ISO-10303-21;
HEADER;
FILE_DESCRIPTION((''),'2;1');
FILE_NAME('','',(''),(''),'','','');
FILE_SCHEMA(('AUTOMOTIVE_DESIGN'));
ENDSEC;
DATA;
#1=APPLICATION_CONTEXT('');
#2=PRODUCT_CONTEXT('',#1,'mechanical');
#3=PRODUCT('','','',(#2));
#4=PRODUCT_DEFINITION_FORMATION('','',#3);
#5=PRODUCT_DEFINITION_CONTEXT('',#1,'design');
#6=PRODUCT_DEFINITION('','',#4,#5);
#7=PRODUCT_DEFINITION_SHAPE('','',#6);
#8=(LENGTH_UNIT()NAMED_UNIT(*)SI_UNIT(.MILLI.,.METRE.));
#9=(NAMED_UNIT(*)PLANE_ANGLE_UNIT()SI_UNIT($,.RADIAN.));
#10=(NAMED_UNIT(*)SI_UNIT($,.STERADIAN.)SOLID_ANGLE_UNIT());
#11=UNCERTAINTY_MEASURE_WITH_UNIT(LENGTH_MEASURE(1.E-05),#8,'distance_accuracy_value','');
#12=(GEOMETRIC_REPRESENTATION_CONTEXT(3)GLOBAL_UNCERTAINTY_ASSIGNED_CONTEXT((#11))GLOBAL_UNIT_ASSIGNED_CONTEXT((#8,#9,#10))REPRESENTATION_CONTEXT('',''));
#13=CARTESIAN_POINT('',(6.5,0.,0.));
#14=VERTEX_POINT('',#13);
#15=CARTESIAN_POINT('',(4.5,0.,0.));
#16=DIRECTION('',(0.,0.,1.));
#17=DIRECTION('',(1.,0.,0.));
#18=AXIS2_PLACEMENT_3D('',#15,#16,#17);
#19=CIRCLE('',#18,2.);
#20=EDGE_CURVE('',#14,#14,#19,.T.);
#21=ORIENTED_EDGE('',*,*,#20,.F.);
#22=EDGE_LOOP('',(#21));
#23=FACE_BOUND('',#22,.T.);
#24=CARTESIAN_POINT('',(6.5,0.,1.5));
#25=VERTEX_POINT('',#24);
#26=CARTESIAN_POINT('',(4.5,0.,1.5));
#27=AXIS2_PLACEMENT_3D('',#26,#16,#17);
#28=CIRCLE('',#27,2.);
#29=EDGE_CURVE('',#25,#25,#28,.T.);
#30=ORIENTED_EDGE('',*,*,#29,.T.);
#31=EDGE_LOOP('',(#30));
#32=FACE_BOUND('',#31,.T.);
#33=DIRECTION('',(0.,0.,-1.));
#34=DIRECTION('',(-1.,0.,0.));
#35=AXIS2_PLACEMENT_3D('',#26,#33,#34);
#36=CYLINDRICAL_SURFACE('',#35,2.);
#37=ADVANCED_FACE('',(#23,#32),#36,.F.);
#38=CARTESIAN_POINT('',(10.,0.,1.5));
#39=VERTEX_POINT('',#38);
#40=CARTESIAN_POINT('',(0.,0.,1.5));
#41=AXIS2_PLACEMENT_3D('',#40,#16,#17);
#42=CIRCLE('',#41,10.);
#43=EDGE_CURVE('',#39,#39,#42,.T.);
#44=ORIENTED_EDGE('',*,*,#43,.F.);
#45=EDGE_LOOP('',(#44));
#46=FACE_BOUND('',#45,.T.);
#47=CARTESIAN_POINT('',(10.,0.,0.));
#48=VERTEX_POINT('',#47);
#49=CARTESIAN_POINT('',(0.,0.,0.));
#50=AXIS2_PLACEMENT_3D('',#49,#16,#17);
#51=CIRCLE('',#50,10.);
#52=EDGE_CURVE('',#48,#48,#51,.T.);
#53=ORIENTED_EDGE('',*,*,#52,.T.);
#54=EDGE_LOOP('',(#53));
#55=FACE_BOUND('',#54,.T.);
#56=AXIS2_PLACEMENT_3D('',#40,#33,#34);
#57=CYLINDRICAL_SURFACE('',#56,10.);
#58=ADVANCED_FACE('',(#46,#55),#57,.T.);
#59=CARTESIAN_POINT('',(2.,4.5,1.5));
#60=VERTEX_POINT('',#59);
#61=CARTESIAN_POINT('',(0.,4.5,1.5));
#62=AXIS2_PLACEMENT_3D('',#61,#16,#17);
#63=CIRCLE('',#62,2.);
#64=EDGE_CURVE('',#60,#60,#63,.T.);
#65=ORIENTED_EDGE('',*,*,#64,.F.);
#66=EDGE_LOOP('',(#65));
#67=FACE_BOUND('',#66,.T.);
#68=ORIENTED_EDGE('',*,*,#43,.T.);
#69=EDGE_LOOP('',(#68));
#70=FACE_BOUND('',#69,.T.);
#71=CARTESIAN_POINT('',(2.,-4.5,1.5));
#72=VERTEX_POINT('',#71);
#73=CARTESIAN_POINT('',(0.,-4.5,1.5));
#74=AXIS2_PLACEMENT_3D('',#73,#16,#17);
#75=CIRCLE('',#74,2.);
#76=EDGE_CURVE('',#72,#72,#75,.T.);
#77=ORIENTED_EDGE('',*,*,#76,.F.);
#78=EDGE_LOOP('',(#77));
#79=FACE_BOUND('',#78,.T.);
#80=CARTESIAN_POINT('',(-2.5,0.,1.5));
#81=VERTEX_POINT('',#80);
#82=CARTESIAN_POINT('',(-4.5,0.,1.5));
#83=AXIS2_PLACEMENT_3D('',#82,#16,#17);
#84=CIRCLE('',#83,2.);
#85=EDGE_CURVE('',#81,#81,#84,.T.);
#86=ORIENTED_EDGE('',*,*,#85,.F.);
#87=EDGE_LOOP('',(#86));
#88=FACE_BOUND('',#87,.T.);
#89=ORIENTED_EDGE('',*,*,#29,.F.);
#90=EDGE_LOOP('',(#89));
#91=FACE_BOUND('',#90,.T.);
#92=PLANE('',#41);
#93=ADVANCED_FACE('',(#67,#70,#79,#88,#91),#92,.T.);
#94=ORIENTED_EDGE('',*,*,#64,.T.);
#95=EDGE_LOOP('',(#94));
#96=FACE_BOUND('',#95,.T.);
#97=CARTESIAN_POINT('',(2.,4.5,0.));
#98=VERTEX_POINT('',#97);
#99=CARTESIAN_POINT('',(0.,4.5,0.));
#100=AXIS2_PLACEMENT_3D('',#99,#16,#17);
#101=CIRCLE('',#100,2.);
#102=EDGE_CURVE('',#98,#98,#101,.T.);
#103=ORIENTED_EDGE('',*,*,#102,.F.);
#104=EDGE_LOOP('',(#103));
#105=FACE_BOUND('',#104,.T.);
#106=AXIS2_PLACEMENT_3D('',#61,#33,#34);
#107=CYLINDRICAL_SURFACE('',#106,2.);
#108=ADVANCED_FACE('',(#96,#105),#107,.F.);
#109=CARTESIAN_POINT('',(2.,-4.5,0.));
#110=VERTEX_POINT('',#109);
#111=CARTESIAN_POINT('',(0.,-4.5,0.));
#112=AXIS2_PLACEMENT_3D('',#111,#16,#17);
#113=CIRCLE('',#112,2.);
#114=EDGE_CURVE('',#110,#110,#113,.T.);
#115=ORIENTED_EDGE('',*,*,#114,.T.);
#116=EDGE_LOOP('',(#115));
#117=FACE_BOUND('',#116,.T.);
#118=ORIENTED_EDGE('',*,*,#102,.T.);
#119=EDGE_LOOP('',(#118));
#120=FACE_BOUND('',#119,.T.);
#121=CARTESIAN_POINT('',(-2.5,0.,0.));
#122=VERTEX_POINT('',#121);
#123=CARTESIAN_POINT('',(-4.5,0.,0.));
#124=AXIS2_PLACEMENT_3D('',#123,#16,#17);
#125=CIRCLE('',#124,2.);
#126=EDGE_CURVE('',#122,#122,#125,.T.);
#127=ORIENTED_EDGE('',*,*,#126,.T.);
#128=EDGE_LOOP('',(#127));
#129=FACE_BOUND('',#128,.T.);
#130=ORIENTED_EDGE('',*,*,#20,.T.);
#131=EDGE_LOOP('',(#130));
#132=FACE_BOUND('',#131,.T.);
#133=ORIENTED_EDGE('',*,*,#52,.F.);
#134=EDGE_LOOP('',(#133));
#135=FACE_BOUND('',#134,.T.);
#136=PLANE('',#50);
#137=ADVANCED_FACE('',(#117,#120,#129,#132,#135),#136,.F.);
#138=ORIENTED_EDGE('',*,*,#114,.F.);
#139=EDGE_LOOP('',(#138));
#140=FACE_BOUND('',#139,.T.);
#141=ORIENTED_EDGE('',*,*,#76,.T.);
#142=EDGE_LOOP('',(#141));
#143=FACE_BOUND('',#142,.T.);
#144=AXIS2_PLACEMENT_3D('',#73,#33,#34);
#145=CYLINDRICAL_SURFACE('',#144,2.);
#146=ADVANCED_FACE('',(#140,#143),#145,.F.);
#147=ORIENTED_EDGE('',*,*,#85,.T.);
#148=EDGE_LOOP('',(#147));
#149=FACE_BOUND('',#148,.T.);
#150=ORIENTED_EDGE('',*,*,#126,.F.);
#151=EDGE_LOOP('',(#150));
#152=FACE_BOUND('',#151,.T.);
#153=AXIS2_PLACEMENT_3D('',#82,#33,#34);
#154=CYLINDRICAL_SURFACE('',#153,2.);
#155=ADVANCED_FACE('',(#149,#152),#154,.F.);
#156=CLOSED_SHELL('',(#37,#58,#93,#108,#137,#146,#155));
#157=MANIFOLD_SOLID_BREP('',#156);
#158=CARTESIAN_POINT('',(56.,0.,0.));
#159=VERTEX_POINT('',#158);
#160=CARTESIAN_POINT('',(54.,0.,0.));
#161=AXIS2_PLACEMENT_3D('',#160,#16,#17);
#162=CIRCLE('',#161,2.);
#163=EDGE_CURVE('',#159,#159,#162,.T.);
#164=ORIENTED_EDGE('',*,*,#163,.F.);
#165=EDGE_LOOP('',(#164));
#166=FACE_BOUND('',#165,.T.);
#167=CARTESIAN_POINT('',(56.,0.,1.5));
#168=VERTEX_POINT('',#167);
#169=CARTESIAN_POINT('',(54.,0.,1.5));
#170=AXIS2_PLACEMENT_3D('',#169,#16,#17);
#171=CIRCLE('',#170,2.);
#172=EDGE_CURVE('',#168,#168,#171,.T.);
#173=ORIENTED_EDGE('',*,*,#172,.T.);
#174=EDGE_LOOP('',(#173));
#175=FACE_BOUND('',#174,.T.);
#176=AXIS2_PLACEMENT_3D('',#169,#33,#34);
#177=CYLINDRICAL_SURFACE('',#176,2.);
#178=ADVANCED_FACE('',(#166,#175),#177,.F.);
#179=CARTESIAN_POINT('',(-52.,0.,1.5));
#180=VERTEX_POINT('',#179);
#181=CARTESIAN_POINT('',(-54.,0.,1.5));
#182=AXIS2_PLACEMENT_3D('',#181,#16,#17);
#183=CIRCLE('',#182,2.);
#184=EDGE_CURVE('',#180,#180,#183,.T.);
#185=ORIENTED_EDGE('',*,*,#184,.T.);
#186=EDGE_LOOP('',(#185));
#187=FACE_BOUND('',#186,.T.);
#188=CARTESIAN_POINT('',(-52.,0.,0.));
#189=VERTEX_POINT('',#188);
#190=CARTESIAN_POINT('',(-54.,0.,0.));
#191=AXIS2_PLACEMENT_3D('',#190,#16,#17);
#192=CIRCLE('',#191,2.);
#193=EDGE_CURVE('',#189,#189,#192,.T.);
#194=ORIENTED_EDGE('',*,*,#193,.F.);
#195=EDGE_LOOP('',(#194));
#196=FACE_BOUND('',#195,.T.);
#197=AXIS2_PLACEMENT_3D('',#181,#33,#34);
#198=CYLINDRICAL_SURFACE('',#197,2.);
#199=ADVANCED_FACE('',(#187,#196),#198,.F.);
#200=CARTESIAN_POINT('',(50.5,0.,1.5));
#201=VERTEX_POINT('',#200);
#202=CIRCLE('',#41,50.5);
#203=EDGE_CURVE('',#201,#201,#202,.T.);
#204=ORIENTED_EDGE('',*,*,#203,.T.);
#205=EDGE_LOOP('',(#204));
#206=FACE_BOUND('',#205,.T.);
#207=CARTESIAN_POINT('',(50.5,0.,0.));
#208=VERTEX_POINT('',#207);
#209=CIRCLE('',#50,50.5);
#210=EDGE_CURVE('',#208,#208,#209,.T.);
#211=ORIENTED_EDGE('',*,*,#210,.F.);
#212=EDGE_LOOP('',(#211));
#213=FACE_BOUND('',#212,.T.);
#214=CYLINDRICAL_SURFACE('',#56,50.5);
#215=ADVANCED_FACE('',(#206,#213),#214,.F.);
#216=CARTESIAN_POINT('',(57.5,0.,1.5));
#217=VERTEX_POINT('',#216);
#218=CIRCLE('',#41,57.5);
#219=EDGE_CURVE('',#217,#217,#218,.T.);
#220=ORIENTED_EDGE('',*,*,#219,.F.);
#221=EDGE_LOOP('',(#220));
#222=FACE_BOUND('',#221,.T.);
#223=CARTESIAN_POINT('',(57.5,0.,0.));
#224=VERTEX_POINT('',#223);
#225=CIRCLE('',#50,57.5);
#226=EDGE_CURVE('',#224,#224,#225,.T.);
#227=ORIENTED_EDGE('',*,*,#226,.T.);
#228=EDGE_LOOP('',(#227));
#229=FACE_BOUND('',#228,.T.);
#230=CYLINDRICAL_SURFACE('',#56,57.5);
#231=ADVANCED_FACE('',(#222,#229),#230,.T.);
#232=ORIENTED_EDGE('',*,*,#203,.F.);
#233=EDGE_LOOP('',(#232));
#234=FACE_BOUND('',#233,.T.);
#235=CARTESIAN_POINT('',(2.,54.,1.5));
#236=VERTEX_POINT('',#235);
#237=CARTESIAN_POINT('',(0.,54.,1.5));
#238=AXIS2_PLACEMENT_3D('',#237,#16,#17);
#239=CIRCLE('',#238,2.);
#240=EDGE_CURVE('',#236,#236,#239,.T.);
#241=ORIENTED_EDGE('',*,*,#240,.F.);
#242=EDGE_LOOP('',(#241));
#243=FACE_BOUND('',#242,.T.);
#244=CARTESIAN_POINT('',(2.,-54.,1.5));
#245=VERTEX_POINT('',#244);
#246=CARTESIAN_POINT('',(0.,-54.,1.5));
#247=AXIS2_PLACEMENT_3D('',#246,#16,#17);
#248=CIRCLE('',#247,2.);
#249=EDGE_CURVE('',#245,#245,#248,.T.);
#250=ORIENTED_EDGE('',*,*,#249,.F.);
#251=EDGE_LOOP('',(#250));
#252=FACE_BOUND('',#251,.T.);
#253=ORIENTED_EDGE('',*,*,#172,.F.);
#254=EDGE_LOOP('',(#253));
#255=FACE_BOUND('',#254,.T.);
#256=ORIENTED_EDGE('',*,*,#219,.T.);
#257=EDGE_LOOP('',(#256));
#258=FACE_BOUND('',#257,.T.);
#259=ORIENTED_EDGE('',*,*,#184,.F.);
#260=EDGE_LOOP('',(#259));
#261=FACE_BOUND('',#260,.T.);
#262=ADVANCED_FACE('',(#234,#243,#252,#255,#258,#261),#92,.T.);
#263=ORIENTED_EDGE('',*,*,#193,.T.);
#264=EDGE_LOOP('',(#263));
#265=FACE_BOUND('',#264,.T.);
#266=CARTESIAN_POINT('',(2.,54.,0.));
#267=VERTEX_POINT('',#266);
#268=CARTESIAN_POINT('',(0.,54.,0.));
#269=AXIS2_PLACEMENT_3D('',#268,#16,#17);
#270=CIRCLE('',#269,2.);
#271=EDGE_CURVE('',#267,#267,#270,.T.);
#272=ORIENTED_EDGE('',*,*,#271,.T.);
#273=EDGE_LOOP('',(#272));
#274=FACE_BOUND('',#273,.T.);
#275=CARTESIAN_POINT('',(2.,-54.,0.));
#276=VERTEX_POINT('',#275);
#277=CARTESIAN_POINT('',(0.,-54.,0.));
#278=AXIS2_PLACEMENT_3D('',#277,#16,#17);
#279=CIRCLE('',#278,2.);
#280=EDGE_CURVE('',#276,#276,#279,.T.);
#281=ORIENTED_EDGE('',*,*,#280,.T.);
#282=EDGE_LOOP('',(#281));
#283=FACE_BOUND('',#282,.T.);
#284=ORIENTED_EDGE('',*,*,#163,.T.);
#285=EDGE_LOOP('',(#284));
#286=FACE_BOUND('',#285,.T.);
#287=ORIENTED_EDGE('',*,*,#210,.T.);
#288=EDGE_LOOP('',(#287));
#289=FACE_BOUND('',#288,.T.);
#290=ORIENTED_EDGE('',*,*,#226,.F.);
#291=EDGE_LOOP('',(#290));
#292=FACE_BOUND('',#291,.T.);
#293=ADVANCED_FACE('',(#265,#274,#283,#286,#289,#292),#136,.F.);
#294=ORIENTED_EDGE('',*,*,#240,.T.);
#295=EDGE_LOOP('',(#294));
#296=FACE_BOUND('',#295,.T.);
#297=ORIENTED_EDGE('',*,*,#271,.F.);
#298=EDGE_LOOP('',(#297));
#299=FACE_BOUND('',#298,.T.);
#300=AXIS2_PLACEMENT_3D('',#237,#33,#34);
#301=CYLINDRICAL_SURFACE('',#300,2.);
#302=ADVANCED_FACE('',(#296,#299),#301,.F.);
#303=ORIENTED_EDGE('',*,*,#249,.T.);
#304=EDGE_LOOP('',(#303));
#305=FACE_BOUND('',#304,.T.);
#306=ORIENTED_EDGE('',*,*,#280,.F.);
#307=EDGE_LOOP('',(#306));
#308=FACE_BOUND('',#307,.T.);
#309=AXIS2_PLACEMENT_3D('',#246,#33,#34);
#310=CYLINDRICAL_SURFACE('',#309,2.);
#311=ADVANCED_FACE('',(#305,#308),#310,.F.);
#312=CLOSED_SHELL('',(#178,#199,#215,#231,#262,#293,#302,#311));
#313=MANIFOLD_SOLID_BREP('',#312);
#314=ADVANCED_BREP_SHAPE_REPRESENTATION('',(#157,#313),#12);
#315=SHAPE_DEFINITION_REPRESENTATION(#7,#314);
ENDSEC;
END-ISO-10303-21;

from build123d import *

# Parameters (mm, degrees)
CROQUIS1_R                = 57.5
CROQUIS1_R_2              = 2
CROQUIS1_R_3              = 50.5
SALIENTE_EXTRUIR1_DEPTH   = 1.5
CROQUIS1_R_4              = 10
SALIENTE_EXTRUIR1_2_DEPTH = 1.5


with BuildPart() as part:
    # Croquis1 → Saliente-Extruir1 (new body)
    with BuildSketch(Plane.XY):
        Circle(CROQUIS1_R)
        with Locations((-54, 0)):
            Circle(CROQUIS1_R_2, mode=Mode.SUBTRACT)
        with Locations((0, -54)):
            Circle(CROQUIS1_R_2, mode=Mode.SUBTRACT)
        with Locations((54, 0)):
            Circle(CROQUIS1_R_2, mode=Mode.SUBTRACT)
        Circle(CROQUIS1_R_3, mode=Mode.SUBTRACT)
        with Locations((0, 54)):
            Circle(CROQUIS1_R_2, mode=Mode.SUBTRACT)
    extrude(amount=SALIENTE_EXTRUIR1_DEPTH)


with BuildPart() as body_2:
    # Croquis1 → Saliente-Extruir1 2 (new body)
    with BuildSketch(Plane.XY):
        Circle(CROQUIS1_R_4)
        with Locations((-4.5, 0)):
            Circle(CROQUIS1_R_2, mode=Mode.SUBTRACT)
        with Locations((0, -4.5)):
            Circle(CROQUIS1_R_2, mode=Mode.SUBTRACT)
        with Locations((4.5, 0)):
            Circle(CROQUIS1_R_2, mode=Mode.SUBTRACT)
        with Locations((0, 4.5)):
            Circle(CROQUIS1_R_2, mode=Mode.SUBTRACT)
    extrude(amount=SALIENTE_EXTRUIR1_2_DEPTH)


solid = Compound([part.part, body_2.part])
